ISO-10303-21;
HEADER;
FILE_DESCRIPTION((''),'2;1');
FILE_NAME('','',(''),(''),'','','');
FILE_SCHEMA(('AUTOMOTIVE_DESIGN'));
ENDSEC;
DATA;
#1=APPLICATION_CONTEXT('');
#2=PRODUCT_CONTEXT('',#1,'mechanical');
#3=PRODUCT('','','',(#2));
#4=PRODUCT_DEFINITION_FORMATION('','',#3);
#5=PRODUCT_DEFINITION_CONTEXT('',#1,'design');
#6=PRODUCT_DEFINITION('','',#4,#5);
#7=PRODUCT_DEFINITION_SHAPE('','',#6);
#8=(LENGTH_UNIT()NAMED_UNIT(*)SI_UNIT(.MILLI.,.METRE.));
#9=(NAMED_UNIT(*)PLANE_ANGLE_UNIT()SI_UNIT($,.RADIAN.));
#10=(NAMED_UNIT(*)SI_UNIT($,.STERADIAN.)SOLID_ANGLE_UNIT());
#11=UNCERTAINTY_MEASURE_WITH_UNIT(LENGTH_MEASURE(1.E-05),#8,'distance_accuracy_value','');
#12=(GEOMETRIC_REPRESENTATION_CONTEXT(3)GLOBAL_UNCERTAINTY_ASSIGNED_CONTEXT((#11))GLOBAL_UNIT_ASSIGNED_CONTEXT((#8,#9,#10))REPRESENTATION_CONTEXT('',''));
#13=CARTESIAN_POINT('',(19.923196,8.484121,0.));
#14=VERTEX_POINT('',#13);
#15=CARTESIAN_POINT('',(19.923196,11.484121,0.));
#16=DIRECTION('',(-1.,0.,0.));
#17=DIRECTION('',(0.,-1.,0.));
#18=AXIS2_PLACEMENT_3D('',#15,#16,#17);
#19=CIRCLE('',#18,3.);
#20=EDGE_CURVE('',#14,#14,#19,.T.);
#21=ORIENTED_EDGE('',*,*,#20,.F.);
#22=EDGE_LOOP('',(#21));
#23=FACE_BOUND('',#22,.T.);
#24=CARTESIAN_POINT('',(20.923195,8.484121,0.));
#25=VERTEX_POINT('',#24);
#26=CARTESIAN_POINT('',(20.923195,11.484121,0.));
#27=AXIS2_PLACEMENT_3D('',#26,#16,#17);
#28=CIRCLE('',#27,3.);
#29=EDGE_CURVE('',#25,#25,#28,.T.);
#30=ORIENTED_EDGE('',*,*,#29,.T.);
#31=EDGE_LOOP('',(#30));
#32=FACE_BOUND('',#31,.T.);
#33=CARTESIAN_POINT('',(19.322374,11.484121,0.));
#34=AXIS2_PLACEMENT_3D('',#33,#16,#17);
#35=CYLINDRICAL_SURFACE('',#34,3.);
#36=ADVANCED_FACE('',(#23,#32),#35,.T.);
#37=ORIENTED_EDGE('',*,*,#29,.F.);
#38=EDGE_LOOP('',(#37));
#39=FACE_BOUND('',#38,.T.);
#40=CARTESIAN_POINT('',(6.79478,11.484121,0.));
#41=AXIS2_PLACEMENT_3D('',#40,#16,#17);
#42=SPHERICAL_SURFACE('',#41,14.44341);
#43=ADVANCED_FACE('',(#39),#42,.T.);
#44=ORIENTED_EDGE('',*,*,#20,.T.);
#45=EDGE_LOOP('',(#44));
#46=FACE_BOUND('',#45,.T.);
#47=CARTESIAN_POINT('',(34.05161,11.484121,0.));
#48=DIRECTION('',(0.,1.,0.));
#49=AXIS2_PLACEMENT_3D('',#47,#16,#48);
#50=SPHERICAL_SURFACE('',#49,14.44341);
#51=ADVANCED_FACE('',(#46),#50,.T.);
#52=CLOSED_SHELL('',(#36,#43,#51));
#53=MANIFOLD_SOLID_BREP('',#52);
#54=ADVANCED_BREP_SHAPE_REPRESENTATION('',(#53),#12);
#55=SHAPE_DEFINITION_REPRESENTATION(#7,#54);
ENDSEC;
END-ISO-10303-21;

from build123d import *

# Parameters (mm, degrees)
SKETCH_1_ONE_SIDE_W = 0.999999428
SKETCH_1_ONE_SIDE_H = 3


with BuildPart() as part:
    # 草图1 one side → 旋转1 (revolve)
    with BuildSketch(Plane.XY, mode=Mode.PRIVATE) as revolve_1_sk:
        with Locations((20.42319538, 12.984121187)):
            Rectangle(SKETCH_1_ONE_SIDE_W, SKETCH_1_ONE_SIDE_H)
        with BuildLine():
            Line((19.608200037, 11.484121187), (19.923195666, 11.484121187))
            Line((19.923195666, 11.484121187), (19.923195666, 14.484121187))
            ThreePointArc((19.923195666, 14.484121187), (19.687164802, 12.992367042), (19.608200037, 11.484121187))
        make_face()
        with BuildLine():
            Line((20.923195094, 11.484121187), (21.238190723, 11.484121187))
            ThreePointArc((21.238190723, 11.484121187), (21.159225958, 12.992367042), (20.923195094, 14.484121187))
            Line((20.923195094, 14.484121187), (20.923195094, 11.484121187))
        make_face()
    revolve(revolve_1_sk.sketch.rotate(Axis((19.322373688, 11.484121187, 0), (1, 0, 0)), 180), axis=Axis((19.322373688, 11.484121187, 0), (1, 0, 0)))  # turned: the seam where the file's is


solid = part.part
